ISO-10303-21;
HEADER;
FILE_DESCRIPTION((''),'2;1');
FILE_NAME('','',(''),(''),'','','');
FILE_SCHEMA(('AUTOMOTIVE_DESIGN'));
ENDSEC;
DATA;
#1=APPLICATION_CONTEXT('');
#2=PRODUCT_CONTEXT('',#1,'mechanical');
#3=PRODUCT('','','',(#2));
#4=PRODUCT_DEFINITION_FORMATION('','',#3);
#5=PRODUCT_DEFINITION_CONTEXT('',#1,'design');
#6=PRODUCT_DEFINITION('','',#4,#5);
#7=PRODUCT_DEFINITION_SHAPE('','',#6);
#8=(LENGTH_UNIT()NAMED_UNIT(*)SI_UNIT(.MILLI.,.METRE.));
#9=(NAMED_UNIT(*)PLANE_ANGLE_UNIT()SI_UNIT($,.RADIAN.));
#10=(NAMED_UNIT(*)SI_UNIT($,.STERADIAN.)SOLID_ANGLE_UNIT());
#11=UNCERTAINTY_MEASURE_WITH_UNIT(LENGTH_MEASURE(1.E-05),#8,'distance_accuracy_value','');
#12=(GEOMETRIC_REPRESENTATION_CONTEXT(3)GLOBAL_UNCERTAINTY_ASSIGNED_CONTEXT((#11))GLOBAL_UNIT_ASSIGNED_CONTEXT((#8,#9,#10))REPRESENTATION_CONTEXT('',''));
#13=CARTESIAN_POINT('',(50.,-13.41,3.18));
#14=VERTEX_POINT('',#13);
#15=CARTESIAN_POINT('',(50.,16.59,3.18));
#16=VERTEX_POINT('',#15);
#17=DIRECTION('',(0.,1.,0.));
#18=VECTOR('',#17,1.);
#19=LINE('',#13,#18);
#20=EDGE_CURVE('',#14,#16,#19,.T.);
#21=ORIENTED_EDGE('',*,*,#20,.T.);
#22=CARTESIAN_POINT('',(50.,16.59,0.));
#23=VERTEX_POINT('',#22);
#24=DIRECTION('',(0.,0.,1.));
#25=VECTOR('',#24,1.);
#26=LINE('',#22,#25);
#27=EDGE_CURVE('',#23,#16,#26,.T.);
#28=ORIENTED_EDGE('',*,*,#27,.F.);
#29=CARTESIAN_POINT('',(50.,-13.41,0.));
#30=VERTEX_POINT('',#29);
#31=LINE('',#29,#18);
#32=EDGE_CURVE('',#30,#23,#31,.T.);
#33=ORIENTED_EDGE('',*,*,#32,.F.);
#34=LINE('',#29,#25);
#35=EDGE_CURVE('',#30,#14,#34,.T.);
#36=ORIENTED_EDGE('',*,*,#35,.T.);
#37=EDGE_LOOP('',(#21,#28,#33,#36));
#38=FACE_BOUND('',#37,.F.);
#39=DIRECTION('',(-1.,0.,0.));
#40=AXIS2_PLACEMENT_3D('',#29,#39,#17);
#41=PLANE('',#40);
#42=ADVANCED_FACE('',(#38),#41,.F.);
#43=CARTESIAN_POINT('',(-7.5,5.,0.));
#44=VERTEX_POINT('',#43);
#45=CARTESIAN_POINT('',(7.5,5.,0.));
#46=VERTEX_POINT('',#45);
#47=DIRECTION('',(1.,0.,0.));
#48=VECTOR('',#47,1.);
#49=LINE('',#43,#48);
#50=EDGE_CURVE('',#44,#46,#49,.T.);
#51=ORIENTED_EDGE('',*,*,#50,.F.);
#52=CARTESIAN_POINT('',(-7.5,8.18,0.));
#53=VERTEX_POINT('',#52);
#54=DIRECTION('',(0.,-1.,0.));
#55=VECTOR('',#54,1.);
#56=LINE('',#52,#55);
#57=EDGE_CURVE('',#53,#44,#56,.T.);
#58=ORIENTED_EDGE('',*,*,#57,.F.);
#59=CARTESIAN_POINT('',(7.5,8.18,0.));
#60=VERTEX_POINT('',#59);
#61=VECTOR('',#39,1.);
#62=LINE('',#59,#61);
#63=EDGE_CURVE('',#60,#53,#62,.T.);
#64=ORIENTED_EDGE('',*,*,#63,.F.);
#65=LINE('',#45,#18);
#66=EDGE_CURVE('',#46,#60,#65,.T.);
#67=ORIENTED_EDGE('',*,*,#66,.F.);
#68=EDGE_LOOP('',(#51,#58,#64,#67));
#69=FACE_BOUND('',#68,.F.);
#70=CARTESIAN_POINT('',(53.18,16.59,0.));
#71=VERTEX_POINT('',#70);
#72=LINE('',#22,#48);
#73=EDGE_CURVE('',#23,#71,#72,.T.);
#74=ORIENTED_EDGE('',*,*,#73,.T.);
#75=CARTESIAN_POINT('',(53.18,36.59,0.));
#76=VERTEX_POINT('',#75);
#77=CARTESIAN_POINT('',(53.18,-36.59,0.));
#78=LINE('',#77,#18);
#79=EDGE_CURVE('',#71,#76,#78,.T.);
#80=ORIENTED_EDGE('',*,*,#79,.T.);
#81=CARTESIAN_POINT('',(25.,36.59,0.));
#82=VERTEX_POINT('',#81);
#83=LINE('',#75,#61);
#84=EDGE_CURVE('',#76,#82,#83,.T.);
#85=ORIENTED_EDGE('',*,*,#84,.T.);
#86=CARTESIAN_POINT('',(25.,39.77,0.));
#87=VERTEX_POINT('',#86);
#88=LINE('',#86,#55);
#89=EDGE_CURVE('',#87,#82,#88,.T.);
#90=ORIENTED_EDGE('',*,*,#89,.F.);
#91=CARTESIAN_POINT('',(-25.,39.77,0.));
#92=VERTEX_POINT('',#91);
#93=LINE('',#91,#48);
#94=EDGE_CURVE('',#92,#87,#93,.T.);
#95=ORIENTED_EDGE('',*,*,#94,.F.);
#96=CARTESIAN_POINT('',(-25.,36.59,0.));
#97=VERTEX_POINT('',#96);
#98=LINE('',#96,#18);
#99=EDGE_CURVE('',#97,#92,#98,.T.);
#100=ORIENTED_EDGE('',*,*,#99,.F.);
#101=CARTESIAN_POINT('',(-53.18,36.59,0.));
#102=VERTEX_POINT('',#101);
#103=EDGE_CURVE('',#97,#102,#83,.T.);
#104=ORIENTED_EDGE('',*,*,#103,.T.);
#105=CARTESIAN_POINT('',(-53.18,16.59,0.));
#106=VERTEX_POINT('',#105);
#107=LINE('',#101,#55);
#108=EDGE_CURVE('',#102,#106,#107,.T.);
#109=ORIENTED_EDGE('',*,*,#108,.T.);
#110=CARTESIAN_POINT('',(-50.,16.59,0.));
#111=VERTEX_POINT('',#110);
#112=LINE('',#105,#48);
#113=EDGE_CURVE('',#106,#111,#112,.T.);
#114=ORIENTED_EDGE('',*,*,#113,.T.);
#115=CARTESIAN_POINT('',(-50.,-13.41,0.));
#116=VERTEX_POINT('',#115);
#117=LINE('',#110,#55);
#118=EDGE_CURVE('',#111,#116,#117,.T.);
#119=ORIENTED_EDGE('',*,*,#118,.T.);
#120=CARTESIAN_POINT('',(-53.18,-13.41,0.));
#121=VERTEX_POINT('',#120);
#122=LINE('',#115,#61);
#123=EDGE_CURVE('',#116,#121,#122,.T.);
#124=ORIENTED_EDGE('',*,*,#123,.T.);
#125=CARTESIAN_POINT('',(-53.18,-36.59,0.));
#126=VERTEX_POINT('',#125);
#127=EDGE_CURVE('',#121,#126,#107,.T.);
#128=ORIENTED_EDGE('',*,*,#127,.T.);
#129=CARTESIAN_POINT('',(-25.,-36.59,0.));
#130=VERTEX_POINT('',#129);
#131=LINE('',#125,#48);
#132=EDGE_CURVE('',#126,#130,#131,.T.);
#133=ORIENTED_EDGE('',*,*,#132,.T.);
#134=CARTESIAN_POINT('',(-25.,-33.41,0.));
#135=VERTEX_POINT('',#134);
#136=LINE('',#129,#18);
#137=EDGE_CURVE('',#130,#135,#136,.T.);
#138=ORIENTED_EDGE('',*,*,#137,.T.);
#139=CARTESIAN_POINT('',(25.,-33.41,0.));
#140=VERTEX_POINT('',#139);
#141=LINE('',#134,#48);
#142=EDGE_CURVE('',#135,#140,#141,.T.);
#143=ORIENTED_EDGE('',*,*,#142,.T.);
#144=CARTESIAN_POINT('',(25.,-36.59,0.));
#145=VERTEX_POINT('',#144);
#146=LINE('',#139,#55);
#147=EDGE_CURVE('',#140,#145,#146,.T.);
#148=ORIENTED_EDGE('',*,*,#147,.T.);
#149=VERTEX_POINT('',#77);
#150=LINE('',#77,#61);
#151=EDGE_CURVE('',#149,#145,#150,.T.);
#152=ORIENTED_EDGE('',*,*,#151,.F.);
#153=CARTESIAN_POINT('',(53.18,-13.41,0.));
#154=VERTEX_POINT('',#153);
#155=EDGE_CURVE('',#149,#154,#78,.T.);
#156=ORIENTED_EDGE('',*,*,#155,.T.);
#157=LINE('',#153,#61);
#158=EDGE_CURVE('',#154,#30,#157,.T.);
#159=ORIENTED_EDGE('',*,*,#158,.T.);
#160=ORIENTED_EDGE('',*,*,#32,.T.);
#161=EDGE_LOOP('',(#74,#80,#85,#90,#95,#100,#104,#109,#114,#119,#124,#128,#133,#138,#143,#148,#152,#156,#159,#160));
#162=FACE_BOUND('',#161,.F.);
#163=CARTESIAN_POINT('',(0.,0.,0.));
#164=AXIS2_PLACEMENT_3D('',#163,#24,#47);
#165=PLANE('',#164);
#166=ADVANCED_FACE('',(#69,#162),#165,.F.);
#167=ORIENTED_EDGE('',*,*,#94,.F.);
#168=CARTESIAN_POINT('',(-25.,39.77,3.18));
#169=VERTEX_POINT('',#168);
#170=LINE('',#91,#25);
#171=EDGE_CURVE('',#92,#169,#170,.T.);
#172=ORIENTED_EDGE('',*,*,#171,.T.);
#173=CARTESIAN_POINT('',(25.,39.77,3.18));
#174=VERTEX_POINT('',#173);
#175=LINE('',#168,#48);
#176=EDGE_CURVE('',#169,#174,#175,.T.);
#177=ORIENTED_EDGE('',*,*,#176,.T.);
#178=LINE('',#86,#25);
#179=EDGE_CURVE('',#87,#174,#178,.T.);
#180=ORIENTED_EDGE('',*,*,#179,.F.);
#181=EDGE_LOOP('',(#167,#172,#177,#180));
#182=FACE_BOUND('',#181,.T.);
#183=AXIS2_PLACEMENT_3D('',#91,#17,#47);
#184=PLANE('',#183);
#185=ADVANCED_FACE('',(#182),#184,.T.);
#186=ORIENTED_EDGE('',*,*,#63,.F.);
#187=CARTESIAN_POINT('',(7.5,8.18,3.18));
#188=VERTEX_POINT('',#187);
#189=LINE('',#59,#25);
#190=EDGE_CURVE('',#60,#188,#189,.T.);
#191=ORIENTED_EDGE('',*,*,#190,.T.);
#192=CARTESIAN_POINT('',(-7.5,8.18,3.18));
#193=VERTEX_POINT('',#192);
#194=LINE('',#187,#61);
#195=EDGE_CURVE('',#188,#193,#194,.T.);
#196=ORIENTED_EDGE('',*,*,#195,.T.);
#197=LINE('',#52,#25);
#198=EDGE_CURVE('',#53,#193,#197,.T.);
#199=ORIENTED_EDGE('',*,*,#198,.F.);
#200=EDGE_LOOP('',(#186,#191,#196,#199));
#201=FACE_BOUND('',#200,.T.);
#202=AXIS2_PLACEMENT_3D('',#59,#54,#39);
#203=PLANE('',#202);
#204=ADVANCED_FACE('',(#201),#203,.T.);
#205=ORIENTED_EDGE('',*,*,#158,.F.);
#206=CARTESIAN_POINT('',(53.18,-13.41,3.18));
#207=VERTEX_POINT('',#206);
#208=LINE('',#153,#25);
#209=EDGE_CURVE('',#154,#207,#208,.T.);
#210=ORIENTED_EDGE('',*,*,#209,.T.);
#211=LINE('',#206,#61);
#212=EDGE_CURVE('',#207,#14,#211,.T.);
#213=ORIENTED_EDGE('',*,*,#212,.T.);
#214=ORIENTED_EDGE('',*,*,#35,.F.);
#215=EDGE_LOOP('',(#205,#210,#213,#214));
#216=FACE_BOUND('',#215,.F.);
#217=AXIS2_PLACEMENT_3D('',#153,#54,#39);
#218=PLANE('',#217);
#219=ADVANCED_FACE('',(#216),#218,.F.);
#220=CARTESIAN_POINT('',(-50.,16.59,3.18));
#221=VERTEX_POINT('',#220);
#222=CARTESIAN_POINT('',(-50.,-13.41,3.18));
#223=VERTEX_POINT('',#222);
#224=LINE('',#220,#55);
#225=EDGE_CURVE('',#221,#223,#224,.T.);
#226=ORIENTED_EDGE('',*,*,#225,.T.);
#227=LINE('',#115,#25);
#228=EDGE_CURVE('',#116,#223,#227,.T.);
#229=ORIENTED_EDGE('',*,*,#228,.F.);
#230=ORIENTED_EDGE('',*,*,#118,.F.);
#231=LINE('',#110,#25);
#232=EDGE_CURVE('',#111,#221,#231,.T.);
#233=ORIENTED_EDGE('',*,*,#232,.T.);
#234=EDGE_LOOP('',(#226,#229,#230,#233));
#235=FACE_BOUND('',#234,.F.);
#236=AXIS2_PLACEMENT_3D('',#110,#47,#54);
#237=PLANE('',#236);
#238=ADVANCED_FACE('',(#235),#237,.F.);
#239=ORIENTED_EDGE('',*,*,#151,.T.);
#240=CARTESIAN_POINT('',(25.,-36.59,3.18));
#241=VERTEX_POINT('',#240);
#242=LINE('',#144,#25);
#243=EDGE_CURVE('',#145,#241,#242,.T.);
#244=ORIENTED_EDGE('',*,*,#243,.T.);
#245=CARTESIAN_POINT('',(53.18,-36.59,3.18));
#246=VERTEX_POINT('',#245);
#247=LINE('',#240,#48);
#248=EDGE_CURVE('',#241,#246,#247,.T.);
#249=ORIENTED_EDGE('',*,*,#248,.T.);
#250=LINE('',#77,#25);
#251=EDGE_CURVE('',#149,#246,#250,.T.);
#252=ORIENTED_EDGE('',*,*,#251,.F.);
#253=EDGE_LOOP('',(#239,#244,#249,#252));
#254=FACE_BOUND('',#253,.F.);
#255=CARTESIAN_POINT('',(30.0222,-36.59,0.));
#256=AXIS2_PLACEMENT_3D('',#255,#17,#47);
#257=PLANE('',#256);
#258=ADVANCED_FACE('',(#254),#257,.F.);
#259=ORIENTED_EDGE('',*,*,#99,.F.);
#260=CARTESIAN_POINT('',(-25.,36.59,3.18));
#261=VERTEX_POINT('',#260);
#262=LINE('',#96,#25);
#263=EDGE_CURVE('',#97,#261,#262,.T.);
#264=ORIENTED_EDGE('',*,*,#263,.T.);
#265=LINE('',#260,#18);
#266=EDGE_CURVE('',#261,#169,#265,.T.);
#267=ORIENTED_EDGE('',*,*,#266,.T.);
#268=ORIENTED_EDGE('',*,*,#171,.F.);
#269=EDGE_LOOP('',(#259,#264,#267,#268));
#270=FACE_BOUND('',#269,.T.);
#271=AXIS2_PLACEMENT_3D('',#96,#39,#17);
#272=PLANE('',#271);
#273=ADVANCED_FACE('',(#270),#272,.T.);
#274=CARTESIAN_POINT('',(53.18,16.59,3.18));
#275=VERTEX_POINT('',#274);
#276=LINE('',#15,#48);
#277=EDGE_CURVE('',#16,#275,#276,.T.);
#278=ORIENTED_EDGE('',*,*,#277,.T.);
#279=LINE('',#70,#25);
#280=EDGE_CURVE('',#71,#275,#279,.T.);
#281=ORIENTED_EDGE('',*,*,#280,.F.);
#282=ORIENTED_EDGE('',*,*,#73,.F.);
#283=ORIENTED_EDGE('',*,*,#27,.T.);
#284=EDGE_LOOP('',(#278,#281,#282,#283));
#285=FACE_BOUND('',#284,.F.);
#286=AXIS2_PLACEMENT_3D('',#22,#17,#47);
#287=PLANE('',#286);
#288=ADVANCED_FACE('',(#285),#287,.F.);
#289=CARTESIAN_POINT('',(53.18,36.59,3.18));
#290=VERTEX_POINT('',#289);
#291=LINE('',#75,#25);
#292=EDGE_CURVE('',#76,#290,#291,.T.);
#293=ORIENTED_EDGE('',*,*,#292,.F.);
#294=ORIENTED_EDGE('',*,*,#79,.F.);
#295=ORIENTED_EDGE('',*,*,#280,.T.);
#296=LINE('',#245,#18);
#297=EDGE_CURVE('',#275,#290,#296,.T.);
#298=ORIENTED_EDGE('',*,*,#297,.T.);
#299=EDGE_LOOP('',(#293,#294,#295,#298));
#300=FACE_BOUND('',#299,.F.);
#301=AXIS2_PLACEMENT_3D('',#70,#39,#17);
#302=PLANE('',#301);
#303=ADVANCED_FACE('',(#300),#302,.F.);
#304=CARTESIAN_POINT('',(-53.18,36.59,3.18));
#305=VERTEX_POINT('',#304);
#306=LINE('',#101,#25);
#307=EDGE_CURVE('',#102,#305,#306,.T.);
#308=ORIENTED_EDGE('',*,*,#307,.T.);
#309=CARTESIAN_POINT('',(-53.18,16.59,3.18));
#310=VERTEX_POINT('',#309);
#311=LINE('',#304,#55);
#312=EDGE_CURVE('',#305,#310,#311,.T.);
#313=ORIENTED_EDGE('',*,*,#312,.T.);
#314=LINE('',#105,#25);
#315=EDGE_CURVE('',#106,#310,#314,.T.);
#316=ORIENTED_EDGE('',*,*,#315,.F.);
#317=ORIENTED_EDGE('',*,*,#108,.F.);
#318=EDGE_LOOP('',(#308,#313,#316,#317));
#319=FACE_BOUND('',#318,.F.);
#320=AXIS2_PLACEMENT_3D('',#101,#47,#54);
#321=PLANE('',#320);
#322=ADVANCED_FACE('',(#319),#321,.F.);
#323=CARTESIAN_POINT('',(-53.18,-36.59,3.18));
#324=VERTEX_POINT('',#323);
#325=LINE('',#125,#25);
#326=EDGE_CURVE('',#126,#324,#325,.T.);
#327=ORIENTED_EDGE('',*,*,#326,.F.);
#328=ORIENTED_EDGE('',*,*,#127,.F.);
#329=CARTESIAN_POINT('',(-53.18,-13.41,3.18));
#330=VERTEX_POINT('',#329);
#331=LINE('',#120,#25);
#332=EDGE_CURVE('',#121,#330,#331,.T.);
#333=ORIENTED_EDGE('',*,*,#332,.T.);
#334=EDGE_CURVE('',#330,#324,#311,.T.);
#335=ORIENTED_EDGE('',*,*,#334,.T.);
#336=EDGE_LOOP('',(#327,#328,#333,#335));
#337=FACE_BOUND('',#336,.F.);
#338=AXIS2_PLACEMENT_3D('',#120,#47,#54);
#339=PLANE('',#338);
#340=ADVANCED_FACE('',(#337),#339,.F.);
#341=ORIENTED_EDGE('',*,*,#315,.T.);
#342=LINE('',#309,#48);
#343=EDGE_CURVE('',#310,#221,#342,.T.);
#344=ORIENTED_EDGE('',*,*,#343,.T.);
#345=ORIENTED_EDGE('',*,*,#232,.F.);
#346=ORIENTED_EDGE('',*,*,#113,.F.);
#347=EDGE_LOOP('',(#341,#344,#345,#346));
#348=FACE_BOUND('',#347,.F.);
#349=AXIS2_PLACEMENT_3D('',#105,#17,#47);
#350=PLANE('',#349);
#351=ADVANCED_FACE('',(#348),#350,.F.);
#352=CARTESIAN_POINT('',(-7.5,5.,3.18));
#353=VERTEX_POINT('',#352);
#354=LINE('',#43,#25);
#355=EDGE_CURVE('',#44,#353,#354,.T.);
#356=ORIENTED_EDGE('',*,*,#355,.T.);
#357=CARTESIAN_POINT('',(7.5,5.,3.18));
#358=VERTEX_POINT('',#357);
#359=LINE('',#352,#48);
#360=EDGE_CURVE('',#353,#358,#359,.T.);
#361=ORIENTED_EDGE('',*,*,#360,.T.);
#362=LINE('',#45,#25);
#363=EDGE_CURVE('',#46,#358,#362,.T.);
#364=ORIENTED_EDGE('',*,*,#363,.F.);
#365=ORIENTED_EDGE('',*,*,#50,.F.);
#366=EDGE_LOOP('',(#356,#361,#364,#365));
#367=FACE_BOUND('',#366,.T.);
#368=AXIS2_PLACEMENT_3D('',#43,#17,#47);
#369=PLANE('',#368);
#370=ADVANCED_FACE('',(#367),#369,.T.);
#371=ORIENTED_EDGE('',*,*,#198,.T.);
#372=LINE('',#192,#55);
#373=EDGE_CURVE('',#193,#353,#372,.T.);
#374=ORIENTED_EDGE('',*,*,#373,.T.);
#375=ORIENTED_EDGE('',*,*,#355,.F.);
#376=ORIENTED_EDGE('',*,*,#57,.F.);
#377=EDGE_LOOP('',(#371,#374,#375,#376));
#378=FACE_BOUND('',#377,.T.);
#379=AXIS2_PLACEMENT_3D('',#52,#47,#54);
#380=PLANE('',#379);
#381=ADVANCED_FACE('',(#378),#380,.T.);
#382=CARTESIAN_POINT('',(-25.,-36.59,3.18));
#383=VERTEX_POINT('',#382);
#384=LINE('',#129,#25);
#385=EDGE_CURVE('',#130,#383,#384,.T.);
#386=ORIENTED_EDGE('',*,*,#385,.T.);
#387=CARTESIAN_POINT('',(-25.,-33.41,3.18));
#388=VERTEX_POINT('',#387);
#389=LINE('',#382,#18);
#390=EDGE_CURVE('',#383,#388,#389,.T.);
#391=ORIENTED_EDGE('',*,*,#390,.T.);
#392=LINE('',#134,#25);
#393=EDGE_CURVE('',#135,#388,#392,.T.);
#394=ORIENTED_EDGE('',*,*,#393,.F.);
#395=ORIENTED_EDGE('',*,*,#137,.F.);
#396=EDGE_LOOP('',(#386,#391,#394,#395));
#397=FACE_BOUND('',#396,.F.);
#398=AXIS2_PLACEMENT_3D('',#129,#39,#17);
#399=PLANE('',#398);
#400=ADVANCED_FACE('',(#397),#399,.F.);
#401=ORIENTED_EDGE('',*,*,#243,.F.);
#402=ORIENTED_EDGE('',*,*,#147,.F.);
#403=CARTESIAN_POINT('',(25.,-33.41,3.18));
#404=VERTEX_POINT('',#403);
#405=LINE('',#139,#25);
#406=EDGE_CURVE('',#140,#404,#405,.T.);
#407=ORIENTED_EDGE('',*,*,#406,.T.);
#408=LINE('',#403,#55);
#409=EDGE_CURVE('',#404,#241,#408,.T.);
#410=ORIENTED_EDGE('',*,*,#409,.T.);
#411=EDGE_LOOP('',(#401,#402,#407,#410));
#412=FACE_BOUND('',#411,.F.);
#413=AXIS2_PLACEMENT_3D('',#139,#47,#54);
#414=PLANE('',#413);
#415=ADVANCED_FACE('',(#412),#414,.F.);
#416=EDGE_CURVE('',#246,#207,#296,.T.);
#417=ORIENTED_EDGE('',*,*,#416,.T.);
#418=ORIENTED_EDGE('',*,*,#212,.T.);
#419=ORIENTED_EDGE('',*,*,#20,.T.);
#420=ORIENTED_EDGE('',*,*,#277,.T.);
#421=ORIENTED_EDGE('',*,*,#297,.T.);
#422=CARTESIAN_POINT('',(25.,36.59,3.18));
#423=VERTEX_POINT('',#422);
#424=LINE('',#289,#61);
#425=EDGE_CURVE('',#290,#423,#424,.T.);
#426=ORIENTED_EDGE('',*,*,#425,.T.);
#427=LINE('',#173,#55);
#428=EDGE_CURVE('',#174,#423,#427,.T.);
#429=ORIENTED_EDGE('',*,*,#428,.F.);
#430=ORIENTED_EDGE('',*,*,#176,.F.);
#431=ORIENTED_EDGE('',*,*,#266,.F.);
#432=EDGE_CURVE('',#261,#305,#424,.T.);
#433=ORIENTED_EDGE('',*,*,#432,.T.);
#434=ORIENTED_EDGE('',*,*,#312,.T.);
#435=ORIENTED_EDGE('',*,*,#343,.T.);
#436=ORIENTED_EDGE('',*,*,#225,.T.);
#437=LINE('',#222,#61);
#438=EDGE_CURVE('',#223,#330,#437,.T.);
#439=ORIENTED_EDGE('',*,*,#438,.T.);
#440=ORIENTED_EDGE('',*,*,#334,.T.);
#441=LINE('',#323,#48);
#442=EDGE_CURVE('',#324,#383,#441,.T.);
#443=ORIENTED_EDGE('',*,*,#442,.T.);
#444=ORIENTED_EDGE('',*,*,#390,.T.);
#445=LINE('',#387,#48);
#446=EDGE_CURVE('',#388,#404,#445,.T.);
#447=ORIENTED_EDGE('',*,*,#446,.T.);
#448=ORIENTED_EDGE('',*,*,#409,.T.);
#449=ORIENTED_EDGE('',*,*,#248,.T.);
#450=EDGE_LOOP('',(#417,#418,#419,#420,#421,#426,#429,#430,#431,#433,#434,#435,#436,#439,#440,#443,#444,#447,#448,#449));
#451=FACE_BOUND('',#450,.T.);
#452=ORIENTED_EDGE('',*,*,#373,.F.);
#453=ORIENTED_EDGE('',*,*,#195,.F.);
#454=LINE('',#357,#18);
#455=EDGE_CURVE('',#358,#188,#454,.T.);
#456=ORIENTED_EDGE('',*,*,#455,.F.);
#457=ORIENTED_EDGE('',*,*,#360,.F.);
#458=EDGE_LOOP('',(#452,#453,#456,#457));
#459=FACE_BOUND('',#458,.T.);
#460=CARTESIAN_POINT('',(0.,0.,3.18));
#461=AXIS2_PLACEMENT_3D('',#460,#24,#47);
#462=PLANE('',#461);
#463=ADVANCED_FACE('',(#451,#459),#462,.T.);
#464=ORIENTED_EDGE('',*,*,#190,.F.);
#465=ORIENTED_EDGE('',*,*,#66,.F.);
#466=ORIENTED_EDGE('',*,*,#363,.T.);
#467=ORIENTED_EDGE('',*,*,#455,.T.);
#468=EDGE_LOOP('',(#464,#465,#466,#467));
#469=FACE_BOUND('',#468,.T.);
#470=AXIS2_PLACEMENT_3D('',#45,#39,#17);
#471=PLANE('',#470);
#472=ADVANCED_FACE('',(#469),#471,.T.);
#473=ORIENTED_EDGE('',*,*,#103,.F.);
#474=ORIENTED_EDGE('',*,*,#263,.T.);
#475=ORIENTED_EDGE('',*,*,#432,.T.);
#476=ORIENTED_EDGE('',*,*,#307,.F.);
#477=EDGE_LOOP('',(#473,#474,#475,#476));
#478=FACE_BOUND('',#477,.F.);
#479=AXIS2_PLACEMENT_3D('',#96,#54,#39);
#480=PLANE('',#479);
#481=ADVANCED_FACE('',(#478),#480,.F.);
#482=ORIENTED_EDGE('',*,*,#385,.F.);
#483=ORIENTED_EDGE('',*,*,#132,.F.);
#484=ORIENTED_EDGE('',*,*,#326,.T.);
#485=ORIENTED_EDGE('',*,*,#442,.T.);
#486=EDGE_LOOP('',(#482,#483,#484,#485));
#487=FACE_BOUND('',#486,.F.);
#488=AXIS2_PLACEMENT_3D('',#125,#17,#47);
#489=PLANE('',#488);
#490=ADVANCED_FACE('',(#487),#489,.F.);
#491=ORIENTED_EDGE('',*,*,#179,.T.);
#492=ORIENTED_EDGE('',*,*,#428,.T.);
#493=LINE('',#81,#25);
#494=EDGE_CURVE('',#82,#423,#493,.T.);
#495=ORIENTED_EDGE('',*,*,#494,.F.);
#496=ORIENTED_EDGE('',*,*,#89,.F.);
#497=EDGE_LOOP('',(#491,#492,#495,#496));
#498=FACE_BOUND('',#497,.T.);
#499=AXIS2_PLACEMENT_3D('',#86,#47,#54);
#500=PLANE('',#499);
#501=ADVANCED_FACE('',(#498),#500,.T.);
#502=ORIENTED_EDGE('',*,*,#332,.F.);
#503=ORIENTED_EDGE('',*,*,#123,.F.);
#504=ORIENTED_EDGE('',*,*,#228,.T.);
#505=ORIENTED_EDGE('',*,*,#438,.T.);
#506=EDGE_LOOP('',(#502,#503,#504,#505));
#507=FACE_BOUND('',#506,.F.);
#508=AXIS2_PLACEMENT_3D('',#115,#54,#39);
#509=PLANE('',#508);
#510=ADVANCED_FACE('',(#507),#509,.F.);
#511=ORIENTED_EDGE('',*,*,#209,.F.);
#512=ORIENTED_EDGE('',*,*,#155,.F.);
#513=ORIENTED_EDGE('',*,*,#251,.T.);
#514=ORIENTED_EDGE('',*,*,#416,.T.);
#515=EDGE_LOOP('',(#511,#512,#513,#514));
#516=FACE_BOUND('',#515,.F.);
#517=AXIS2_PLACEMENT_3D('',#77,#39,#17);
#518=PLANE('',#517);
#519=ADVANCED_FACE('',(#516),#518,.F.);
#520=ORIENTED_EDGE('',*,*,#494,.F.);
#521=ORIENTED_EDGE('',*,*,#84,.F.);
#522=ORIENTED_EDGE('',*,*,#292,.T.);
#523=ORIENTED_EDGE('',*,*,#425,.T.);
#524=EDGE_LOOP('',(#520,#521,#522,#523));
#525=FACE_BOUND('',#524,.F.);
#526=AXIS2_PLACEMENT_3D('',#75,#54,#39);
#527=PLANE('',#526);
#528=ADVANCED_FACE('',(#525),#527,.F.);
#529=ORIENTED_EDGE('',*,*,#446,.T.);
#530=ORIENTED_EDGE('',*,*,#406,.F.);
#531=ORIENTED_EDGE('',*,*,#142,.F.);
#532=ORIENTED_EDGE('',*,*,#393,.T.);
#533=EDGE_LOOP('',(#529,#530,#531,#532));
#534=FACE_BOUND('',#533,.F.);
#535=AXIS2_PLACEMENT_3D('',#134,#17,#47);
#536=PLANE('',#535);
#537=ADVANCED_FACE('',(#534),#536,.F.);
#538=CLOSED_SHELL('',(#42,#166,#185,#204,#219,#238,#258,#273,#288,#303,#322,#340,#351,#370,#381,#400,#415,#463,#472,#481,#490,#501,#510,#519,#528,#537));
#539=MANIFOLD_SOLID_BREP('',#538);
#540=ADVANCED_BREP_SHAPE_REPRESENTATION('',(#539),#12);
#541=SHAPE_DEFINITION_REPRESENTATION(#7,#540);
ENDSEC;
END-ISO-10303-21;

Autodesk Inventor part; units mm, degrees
ref_plane "YZ Plane" through (0, 0, 0) normal (1, 0, 0) x (0, 1, 0)
ref_plane "XZ Plane" through (0, 0, 0) normal (0, 1, 0) x (-1, 0, 0)
ref_plane "XY Plane" through (0, 0, 0) normal (0, 0, 1) x (1, 0, 0)
sketch "Boceto1" plane through (0, 0, 0) normal (0, 0, 1) x (1, 0, 0)
  line L0 (-53.18, -36.59) -> (53.18, -36.59)
  line L1 (53.18, -36.59) -> (53.18, 36.59)
  line L2 (53.18, 36.59) -> (-53.18, 36.59)
  line L3 (-53.18, 36.59) -> (-53.18, -36.59)
  line L4 (-53.18, -36.59) -> (53.18, 36.59) construction
  line L5 (53.18, -36.59) -> (-53.18, 36.59) construction
  line L6 (-19.9778, -36.59) -> (30.0222, -36.59)
  line L7 (-25, 39.77) -> (25, 39.77)
  line L8 (25, 39.77) -> (25, 36.59)
  line L9 (25, 36.59) -> (-25, 36.59)
  line L10 (-25, 36.59) -> (-25, 39.77)
  line L11 (-53.18, 16.59) -> (-50, 16.59)
  line L12 (-50, 16.59) -> (-50, -13.41)
  line L13 (-50, -13.41) -> (-53.18, -13.41)
  line L14 (-53.18, -13.41) -> (-53.18, 16.59)
  line L15 (50, 16.59) -> (53.18, 16.59)
  line L16 (53.18, 16.59) -> (53.18, -13.41)
  line L17 (53.18, -13.41) -> (50, -13.41)
  line L18 (50, -13.41) -> (50, 16.59)
  line L19 (-25, -33.41) -> (25, -33.41)
  line L20 (25, -33.41) -> (25, -36.59)
  line L21 (25, -36.59) -> (-25, -36.59)
  line L22 (-25, -36.59) -> (-25, -33.41)
  line L23 (-7.5, 5) -> (7.5, 5)
  line L24 (7.5, 5) -> (7.5, 8.18)
  line L25 (7.5, 8.18) -> (-7.5, 8.18)
  line L26 (-7.5, 8.18) -> (-7.5, 5)
  line L27 (-7.5, 5) -> (7.5, 8.18) construction
  line L28 (7.5, 5) -> (-7.5, 8.18) construction
  point P0 (0, 0)
  point P1 (0, 6.59)
  dimension "d0" = 106.36
  dimension "d3" = 73.18
  dimension "d4" = 3.18
  dimension "d5" = 50
  dimension "d6" = 25
  dimension "d8" = 30
  dimension "d9" = 30
  dimension "d10" = 3.18
  dimension "d11" = 20
  dimension "d12" = 20
  dimension "d13" = 50
  dimension "d14" = 25
  dimension "d17" = 15
  dimension "d18" = 3.18
  dimension "d19" = 40
  dimension "d20" = 7.5
extrude "Extrusión1" add sketch "Boceto1" along normal blind 3.18 contours L3 L13 L12 L11 L2 L1 L15 L18 L17 L0 L20 L19 L22 | L10 L7 L8 L2
properties part number "BASE_TAPAFIJA"
